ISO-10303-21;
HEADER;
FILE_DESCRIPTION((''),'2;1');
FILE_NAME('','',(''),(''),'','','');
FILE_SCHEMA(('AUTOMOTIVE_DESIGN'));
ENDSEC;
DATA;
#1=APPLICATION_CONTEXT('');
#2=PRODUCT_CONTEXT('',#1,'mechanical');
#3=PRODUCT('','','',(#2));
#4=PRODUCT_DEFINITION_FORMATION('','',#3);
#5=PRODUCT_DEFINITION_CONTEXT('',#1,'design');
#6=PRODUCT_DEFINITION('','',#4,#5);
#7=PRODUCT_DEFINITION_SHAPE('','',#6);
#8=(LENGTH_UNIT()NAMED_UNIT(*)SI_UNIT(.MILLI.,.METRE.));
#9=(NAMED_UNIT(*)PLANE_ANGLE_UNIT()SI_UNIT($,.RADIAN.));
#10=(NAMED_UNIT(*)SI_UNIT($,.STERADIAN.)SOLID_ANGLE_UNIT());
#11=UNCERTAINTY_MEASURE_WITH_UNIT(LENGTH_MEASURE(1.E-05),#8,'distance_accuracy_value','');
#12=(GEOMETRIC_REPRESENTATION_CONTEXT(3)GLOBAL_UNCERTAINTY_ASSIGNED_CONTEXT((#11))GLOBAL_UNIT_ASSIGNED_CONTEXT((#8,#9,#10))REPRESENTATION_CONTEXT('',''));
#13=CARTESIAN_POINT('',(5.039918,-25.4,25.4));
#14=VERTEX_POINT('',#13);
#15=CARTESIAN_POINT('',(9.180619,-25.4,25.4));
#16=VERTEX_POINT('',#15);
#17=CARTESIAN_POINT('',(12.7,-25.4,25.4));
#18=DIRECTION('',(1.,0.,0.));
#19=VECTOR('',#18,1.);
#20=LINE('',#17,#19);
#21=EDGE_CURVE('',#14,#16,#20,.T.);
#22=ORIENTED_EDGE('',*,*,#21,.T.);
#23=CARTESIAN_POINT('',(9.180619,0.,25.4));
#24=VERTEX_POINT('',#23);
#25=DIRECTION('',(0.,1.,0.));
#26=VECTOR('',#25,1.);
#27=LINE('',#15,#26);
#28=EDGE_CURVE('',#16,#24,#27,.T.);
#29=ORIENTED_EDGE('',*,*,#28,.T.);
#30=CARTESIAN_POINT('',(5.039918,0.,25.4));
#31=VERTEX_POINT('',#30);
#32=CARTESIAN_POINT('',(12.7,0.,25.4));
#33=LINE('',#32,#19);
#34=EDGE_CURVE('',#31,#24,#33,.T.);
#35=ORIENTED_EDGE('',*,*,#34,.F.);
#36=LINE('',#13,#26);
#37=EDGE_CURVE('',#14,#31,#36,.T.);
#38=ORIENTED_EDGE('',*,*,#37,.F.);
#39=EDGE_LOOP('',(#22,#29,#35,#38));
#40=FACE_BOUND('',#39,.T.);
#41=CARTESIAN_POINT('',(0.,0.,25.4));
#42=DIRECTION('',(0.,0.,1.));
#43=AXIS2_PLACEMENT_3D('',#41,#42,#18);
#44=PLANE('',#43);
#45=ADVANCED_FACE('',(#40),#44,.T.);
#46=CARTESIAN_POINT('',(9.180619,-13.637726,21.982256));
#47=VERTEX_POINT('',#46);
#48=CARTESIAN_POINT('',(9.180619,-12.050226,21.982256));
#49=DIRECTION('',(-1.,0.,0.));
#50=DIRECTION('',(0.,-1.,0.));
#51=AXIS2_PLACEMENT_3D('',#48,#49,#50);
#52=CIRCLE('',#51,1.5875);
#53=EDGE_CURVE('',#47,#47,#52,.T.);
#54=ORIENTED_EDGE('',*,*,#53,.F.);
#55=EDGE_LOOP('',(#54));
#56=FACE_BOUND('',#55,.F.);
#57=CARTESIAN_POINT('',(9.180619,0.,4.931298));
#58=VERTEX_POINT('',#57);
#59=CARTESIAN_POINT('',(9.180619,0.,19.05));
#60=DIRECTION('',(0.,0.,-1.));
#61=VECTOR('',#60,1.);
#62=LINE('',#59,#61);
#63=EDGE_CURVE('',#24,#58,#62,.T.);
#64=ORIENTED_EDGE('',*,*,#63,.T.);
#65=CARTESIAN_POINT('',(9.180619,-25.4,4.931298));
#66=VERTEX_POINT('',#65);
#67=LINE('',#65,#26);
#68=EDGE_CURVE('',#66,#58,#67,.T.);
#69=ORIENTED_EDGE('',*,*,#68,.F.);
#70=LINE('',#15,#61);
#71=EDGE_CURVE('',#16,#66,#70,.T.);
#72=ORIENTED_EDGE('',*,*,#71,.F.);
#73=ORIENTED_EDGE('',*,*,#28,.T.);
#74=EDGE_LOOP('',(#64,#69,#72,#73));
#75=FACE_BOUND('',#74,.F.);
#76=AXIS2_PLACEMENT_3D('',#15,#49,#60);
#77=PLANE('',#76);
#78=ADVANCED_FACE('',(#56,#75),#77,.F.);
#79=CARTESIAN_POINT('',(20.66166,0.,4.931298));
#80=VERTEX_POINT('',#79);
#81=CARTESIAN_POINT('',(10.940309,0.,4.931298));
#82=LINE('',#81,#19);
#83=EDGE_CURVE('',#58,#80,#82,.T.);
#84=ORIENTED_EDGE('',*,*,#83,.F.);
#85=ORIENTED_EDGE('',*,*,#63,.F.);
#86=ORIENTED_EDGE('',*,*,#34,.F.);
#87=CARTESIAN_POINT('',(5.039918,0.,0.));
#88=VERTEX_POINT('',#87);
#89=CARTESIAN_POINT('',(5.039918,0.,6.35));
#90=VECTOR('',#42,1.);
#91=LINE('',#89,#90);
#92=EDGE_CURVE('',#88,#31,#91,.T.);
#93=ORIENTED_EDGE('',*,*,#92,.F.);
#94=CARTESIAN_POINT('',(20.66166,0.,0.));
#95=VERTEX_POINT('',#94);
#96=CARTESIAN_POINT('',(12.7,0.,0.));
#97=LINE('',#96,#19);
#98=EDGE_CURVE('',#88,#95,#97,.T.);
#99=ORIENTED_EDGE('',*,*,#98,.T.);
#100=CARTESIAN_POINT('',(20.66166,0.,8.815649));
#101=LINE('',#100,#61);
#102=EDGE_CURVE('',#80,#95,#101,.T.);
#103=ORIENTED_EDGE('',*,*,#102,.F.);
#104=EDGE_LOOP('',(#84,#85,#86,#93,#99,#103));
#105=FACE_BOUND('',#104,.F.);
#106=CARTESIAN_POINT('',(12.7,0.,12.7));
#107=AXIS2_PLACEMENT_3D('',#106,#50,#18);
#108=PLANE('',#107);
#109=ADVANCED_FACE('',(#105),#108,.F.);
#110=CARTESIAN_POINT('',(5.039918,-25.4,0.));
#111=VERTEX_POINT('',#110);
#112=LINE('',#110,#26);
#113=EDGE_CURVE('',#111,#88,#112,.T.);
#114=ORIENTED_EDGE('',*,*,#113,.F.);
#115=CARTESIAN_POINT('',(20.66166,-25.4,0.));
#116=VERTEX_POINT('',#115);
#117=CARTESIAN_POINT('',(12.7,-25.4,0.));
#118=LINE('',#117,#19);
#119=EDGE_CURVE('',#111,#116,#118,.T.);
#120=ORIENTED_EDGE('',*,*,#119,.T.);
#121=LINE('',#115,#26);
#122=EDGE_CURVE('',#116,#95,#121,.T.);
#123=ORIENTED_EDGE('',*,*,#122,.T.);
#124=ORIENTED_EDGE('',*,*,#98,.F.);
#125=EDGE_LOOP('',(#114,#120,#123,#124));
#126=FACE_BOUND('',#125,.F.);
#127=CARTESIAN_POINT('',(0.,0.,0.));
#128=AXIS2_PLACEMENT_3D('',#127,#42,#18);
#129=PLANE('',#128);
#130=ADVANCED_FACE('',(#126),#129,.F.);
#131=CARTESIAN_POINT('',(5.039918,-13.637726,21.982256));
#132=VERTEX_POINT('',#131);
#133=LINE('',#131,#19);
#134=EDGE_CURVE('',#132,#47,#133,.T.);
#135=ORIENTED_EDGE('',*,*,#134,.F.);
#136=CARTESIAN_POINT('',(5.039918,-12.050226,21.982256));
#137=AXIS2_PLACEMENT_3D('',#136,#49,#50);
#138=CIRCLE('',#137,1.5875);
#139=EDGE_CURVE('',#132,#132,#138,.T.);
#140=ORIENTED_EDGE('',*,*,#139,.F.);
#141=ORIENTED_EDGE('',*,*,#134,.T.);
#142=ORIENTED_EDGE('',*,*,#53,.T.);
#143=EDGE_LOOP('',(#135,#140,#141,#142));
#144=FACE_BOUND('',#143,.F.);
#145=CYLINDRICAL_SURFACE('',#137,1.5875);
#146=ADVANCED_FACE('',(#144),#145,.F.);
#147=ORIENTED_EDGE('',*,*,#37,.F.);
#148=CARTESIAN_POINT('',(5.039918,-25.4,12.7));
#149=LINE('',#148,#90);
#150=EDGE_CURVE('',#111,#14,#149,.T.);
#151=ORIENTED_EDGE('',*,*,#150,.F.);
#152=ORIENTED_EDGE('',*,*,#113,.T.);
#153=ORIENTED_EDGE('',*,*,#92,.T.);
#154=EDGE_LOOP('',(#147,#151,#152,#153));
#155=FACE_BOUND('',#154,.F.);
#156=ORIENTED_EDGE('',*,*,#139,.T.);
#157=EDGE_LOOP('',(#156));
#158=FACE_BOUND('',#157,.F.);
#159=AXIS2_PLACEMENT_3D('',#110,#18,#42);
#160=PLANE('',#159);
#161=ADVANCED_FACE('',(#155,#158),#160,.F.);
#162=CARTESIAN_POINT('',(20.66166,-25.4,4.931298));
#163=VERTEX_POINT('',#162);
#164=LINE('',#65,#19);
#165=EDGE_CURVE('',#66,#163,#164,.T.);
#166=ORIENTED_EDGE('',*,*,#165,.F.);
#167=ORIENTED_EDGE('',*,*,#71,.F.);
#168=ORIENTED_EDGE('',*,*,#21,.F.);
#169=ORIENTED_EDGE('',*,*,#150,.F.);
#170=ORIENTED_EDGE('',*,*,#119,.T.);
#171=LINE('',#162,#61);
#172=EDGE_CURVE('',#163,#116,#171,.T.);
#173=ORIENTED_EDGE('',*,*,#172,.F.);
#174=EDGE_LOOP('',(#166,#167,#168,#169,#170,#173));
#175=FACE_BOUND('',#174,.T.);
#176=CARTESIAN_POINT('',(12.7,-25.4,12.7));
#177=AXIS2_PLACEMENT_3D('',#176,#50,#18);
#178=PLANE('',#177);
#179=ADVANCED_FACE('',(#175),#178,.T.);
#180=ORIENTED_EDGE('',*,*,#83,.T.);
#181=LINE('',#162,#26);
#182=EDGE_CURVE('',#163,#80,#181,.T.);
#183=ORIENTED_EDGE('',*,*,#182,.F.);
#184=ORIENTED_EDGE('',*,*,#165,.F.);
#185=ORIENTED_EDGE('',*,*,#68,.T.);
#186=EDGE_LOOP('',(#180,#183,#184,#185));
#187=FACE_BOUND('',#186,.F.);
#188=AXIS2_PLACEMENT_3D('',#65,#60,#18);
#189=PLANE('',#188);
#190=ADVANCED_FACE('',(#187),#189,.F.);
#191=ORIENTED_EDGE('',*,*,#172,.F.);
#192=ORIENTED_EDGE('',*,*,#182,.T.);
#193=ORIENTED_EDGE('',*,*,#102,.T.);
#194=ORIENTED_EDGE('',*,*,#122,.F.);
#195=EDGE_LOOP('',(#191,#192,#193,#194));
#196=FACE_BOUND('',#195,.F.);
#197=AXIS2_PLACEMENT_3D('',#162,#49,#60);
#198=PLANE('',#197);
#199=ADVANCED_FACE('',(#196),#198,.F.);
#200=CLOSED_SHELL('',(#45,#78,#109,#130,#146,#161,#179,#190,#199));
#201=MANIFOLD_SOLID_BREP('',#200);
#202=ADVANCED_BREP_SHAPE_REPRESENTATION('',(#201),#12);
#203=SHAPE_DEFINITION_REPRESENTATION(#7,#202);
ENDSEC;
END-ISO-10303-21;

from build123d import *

# Parameters (mm, degrees)
F0_W     = 25.4
F0_H     = 25.4
F1_DEPTH = 25.4
F2_W     = 5.039918
F2_H     = 25.4
F3_DEPTH = 38.1
F4_R     = 1.5875
F5_DEPTH = 12.7


with BuildPart() as f1:
    # F0 (on Front) → F1 (new body)
    with BuildSketch(Plane.XZ):
        with Locations((12.7, 12.7)):
            Rectangle(F0_W, F0_H)
    extrude(amount=F1_DEPTH)

    # F2 (on face) → F3 (cut)
    with BuildSketch(Plane.XZ.offset(25.4)):
        Polygon((25.4, 25.4), (9.180619, 25.4), (9.180619, 4.931298), (20.66166, 4.931298), (20.66166, 0), (25.4, 0), align=None)
        with Locations((2.519959, 12.7)):
            Rectangle(F2_W, F2_H)
    extrude(amount=-F3_DEPTH, mode=Mode.SUBTRACT)

    # F4 (on face) → F5 (cut)
    with BuildSketch(Plane(origin=(5.039918, 0, 0), x_dir=(0, -1, 0), z_dir=(-1, 0, 0))):
        with Locations((12.050226, 21.982256)):
            Circle(F4_R)
    extrude(amount=-F5_DEPTH, mode=Mode.SUBTRACT)


solid = f1.part
